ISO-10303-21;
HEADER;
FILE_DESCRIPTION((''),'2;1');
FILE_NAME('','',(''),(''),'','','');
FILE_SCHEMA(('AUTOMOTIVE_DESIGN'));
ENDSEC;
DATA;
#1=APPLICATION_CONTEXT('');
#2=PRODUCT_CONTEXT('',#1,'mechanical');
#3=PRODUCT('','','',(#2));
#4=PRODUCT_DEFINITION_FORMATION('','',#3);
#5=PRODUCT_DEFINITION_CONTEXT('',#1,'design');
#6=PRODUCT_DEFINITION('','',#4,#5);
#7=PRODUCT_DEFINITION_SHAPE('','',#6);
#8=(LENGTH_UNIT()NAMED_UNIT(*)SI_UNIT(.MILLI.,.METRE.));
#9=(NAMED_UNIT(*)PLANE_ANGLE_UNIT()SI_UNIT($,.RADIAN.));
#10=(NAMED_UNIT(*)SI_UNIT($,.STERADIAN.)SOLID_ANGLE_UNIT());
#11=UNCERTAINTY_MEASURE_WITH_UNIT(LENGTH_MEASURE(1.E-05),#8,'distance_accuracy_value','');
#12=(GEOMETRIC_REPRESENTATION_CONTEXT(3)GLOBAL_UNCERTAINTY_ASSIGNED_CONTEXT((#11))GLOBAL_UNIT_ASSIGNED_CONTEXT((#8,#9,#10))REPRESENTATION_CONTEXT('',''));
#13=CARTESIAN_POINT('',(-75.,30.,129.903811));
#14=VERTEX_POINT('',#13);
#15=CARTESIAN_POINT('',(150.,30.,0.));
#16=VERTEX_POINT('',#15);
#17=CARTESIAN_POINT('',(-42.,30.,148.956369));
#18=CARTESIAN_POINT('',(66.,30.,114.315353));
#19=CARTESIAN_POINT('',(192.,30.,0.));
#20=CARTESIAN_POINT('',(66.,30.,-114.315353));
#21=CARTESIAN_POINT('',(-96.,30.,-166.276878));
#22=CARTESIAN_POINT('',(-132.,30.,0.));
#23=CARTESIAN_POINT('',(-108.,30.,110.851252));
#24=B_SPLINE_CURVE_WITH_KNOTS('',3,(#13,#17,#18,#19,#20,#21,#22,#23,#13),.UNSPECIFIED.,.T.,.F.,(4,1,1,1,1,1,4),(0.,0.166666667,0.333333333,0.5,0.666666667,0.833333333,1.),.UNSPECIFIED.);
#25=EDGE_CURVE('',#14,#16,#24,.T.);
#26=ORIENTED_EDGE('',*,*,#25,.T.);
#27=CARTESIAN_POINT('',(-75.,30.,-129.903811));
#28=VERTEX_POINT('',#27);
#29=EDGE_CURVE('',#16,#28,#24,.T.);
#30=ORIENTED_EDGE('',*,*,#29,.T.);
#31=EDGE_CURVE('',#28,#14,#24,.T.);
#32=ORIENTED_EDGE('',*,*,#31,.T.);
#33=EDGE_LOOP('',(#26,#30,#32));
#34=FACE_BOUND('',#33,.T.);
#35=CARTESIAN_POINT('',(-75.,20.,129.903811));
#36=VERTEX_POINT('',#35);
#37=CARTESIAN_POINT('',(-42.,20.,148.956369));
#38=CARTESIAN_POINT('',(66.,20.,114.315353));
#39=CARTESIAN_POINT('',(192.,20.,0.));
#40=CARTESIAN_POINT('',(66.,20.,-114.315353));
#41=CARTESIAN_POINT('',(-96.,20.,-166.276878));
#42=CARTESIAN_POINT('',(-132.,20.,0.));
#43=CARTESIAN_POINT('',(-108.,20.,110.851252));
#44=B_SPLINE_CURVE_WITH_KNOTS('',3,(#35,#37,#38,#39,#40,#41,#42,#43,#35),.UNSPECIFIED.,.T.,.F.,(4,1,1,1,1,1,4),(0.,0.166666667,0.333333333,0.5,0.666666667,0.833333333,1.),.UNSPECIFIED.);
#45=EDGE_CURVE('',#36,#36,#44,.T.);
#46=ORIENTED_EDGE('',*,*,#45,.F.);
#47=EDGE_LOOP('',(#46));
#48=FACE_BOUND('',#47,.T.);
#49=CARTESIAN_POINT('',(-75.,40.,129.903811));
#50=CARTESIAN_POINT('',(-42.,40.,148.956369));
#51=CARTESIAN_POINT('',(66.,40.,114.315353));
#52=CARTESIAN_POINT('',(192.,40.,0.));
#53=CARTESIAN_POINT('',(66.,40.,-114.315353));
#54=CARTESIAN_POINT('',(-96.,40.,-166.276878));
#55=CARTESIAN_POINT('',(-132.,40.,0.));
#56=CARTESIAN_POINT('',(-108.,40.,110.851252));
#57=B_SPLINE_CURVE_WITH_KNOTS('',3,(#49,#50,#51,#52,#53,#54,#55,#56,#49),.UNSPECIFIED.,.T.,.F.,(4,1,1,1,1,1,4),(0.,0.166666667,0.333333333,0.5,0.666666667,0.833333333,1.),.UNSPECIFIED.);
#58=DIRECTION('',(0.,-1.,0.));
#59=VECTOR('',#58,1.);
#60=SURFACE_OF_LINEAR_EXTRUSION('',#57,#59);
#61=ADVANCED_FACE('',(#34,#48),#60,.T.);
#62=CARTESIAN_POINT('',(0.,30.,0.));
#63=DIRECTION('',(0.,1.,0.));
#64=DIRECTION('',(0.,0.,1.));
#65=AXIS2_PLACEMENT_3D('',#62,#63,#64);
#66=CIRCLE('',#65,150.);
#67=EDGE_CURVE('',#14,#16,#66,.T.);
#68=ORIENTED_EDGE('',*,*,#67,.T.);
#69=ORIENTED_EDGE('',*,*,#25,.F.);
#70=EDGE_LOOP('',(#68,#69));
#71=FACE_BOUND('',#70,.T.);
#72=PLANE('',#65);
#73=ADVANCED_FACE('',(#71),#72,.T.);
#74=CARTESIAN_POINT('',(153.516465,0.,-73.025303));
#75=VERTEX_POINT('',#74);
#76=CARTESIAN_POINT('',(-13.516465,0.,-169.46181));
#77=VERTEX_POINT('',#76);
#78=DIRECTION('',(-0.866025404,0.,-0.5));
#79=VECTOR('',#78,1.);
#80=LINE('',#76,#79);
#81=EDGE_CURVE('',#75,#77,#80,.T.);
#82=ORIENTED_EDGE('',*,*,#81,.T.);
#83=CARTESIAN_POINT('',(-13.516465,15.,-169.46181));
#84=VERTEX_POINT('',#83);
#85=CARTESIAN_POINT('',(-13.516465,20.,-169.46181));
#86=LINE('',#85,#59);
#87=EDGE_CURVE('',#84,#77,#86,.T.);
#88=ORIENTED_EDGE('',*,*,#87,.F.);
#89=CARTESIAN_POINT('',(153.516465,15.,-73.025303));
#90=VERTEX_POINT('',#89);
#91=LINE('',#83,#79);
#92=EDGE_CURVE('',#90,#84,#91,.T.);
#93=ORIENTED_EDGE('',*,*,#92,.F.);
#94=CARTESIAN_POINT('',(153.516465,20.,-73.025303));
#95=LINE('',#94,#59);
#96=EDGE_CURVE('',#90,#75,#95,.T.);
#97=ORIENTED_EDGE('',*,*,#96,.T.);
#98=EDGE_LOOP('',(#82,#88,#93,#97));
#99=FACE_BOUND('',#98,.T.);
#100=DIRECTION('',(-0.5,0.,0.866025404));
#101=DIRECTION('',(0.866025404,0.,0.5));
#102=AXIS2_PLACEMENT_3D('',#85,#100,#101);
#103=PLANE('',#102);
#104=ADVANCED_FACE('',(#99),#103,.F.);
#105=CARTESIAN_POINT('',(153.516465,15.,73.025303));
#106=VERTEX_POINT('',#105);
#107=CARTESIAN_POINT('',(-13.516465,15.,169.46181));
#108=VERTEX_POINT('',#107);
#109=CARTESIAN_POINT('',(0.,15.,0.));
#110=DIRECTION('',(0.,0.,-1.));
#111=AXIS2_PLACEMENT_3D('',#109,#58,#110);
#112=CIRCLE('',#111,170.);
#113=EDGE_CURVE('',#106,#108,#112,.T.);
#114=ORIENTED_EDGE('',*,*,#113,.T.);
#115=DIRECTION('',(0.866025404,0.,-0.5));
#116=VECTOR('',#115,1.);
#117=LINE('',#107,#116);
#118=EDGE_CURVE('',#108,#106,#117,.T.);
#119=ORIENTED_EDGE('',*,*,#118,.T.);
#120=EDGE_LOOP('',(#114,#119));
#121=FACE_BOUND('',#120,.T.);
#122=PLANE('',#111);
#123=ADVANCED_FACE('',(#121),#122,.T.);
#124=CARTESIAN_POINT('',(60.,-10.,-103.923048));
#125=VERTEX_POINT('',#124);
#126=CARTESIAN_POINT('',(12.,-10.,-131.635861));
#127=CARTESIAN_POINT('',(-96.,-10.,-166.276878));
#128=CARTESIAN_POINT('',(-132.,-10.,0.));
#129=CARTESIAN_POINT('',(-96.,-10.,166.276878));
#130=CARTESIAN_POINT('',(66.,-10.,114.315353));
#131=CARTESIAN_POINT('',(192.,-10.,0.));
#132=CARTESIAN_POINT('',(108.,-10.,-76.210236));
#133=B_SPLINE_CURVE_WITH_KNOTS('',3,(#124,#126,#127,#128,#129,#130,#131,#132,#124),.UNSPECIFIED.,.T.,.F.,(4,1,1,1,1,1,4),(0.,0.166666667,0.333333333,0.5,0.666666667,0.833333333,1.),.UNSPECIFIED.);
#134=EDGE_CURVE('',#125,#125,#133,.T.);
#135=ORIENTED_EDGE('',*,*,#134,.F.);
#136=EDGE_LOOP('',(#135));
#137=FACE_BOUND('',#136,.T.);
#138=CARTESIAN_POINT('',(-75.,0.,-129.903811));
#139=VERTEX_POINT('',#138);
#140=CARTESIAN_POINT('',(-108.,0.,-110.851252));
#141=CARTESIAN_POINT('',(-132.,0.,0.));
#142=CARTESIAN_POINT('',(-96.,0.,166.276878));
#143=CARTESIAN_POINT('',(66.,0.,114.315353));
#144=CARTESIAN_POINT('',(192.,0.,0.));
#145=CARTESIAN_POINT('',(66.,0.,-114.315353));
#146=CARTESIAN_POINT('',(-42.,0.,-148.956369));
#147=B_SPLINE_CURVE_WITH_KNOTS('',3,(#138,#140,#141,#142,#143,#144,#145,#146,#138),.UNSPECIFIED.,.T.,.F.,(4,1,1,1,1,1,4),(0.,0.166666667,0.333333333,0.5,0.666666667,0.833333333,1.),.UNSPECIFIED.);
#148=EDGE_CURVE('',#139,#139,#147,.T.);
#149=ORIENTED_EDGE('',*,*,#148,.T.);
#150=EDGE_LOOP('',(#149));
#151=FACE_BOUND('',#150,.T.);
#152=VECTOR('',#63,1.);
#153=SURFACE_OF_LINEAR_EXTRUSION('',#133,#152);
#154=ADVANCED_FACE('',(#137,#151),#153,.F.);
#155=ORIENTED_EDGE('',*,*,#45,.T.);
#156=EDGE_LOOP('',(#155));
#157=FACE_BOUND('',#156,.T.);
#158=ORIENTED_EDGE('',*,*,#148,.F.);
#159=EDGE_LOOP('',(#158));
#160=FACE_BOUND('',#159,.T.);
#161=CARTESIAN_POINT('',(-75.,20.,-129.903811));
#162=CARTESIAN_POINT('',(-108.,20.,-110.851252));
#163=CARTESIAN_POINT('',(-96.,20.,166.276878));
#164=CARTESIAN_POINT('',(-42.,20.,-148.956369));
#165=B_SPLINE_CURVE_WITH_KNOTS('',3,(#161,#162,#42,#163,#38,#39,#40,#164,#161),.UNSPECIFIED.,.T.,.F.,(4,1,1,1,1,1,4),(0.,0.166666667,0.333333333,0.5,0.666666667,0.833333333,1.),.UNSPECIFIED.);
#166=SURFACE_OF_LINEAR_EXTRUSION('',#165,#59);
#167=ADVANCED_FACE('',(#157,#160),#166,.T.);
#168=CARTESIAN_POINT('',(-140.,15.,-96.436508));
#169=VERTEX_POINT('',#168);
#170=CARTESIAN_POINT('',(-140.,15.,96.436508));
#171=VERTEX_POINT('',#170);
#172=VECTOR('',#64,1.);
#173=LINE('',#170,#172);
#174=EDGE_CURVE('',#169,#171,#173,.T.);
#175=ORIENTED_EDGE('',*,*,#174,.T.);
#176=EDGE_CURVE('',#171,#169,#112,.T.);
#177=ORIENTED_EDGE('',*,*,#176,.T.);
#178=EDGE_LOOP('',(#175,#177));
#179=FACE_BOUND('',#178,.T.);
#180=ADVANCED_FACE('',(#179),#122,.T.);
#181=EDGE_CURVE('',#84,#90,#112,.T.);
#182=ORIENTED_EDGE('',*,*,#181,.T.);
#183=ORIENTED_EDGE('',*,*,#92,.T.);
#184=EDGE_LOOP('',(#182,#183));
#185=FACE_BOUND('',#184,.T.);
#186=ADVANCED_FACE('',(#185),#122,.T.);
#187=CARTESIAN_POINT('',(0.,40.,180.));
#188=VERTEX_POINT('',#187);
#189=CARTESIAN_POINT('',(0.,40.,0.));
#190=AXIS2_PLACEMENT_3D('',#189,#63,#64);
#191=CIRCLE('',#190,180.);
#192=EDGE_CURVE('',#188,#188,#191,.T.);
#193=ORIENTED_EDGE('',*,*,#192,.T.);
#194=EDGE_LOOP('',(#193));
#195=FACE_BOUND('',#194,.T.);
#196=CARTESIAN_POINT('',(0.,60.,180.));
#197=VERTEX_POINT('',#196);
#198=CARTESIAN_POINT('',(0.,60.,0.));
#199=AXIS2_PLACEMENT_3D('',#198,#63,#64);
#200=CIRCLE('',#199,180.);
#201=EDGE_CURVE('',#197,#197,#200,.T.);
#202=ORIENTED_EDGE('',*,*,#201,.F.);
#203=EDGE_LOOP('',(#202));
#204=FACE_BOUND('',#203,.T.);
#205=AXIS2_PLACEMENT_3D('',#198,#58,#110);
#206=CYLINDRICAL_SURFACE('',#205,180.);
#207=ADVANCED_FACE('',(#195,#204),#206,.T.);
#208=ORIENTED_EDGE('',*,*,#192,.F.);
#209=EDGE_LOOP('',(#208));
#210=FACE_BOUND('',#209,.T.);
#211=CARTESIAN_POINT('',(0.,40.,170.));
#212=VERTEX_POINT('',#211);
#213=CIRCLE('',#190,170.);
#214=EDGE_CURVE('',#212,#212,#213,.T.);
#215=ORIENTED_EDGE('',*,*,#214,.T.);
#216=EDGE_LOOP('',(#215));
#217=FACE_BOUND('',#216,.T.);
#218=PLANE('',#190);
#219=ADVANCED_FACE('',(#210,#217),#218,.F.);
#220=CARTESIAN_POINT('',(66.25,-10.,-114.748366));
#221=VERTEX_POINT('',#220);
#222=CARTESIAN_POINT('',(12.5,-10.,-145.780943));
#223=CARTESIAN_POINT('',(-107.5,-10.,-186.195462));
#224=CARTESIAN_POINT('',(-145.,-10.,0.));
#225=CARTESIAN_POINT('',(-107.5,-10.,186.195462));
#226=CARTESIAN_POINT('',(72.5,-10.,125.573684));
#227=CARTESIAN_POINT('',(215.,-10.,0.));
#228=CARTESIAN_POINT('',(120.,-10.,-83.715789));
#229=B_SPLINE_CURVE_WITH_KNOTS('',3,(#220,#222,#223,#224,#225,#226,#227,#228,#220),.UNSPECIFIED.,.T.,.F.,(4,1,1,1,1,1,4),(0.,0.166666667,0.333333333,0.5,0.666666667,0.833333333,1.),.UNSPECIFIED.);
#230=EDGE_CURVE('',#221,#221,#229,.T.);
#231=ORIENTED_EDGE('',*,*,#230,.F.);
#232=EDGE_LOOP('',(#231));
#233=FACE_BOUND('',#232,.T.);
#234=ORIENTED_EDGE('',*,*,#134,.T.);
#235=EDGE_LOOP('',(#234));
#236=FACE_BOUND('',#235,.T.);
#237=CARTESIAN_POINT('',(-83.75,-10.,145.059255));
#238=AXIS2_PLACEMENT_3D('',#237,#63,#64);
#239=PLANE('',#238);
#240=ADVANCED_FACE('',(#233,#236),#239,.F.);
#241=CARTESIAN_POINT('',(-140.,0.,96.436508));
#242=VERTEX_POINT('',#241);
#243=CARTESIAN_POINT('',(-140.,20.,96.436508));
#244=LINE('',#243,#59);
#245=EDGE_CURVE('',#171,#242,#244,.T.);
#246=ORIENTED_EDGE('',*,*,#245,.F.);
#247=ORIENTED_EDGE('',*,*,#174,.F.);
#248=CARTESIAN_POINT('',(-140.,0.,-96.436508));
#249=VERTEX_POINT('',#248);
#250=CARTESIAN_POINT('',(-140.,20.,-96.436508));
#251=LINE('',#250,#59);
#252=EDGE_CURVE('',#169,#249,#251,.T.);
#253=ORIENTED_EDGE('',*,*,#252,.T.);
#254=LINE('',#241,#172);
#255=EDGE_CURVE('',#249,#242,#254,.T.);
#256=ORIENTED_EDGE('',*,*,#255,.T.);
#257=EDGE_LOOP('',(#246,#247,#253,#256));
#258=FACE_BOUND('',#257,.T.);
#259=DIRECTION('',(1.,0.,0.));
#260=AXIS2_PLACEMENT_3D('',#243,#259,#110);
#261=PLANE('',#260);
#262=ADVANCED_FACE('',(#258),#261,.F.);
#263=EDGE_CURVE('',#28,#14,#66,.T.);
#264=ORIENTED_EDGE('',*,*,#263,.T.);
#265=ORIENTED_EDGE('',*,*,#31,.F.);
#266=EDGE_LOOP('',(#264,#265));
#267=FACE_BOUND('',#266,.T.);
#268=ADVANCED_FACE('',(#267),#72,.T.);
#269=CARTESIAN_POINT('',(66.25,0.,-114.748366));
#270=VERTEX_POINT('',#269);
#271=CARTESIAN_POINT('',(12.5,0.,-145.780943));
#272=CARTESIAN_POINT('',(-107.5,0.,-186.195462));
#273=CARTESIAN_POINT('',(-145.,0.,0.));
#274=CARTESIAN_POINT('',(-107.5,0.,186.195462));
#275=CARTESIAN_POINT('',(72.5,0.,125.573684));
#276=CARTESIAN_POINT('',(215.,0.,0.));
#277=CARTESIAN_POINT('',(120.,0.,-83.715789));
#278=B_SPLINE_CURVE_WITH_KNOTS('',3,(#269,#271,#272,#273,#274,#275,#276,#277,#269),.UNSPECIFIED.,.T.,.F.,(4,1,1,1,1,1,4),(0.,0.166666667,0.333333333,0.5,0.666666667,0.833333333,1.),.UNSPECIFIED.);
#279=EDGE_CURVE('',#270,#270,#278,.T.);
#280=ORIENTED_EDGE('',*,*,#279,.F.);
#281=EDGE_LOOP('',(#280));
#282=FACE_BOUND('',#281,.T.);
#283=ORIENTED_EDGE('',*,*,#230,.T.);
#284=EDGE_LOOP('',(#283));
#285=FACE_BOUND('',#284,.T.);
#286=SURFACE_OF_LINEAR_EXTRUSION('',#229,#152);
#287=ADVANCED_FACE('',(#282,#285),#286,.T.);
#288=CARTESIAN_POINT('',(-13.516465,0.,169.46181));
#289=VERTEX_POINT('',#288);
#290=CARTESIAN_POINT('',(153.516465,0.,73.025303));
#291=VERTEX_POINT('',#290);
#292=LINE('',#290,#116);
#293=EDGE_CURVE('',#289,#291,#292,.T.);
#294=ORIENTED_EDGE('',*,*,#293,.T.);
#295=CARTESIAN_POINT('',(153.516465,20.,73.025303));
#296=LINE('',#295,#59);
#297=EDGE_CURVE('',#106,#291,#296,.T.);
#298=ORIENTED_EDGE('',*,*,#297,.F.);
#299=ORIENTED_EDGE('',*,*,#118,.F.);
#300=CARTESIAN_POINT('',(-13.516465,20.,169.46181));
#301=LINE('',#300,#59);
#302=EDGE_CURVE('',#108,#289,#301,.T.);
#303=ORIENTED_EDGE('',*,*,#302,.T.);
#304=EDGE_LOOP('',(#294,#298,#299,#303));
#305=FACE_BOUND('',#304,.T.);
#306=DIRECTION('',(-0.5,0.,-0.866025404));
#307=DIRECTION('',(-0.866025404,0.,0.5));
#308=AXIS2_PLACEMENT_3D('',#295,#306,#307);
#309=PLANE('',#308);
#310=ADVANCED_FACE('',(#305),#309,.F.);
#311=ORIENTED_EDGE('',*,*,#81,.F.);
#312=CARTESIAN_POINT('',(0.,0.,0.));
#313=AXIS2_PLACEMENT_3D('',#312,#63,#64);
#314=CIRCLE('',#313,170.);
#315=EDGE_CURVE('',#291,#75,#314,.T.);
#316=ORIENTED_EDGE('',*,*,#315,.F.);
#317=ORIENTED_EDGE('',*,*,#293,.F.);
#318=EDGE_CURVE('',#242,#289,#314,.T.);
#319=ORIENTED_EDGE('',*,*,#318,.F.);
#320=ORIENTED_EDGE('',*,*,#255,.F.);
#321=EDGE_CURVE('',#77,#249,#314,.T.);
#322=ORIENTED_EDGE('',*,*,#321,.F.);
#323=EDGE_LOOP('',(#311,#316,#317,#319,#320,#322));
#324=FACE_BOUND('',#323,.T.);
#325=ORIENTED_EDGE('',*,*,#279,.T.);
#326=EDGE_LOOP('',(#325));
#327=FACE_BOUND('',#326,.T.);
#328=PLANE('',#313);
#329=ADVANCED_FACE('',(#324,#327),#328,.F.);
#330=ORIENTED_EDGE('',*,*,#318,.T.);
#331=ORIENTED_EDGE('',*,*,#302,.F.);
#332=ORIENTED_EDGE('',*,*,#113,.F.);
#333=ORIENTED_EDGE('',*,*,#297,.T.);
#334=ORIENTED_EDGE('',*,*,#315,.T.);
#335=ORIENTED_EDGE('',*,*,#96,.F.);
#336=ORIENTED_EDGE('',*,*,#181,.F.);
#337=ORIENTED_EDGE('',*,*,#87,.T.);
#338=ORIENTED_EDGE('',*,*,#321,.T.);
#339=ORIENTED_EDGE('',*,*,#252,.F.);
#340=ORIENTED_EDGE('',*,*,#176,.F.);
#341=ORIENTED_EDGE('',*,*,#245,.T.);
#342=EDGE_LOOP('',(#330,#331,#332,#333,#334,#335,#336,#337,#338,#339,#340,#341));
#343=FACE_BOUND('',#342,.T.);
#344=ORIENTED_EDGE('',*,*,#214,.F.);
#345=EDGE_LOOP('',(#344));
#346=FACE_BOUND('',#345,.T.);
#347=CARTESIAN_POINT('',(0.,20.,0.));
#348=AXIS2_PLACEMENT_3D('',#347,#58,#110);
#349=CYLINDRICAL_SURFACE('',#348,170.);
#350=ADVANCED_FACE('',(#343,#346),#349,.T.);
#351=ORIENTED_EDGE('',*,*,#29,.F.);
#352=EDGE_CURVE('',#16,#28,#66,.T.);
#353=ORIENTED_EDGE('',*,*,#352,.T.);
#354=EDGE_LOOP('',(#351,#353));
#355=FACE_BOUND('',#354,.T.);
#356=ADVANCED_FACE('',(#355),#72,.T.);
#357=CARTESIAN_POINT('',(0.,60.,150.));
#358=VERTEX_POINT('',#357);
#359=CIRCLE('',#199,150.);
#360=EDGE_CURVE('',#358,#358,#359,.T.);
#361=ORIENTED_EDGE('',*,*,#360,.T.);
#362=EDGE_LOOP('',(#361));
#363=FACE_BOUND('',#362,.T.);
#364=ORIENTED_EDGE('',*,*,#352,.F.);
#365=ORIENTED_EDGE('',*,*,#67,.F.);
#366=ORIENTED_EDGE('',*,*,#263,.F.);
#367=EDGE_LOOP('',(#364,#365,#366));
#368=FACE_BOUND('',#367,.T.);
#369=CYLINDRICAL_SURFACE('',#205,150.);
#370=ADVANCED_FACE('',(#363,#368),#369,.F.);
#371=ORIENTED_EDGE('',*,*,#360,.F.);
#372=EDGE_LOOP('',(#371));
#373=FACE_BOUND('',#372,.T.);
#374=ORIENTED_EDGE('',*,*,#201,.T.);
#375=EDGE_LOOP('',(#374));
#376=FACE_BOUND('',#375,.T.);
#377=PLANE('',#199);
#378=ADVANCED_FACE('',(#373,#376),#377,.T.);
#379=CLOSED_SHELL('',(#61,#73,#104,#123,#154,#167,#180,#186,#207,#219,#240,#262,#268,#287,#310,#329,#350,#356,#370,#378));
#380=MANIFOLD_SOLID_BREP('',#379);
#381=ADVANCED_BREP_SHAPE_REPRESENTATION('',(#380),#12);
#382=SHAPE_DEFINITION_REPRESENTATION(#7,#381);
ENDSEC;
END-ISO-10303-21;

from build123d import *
from build123d.topology import SkipClean

# Parameters (mm, degrees)
EXTRUDE_1_DEPTH     = 10
EXTRUDE_2_DEPTH     = 20
SKETCH_6_R          = 170
EXTRUDE_3_DEPTH     = 20
SKETCH_7_R          = 180
SKETCH_7_R_2        = 150
EXTRUDE_4_DEPTH     = 20
EXTRUDE_START       = 5
EXTRUDE_5_DEPTH     = 5
CUT_EXTRUDE_START   = -10
SKETCH_9_R          = 150
CUT_EXTRUDE_1_DEPTH = 10


with BuildPart() as part:
    # 草图2 → 凸台-拉伸1 (new body)
    with BuildSketch(Plane(origin=(0, 0, 0), x_dir=(1, 0, 0), z_dir=(0, 1, 0))):
        with BuildLine():
            add(Edge.make_bspline(
                [(66.25, 114.748366001), (120, 83.715789032), (215, 0), (72.5, -125.573683549), (-107.5, -186.195461814), (-145, 0), (-107.5, 186.195461814), (12.5, 145.78094297), (66.25, 114.748366001)],
                knots=[0, 0, 0, 0, 0.166666667, 0.333333333, 0.5, 0.666666667, 0.833333333, 1, 1, 1, 1], degree=3))
        make_face()
        with BuildLine():
            add(Edge.make_bspline(
                [(60, 103.923048454), (108, 76.210235533), (192, 0), (66, -114.3153533), (-96, -166.276877527), (-132, 0), (-96, 166.276877527), (12, 131.635861375), (60, 103.923048454)],
                knots=[0, 0, 0, 0, 0.166666667, 0.333333333, 0.5, 0.666666667, 0.833333333, 1, 1, 1, 1], degree=3))
        make_face(mode=Mode.SUBTRACT)
    extrude(amount=-EXTRUDE_1_DEPTH)

    # 草图3 → 凸台-拉伸2 (add)
    with BuildSketch(Plane(origin=(0, 0, 0), x_dir=(1, 0, 0), z_dir=(0, 1, 0))):
        with BuildLine():
            Line((-13.516465442, 169.461810335), (153.516465442, 73.025302725))
            ThreePointArc((153.516465442, 73.025302725), (170, 0), (153.516465442, -73.025302725))
            Line((153.516465442, -73.025302725), (-13.516465442, -169.461810335))
            ThreePointArc((-13.516465442, -169.461810335), (-85, -147.224318643), (-140, -96.43650761))
            Line((-140, -96.43650761), (-140, 96.43650761))
            ThreePointArc((-140, 96.43650761), (-85, 147.224318643), (-13.516465442, 169.461810335))
        make_face()
        with BuildLine():
            add(Edge.make_bspline(
                [(-75, 129.903810568), (-42, 148.956369451), (66, 114.3153533), (192, 0), (66, -114.3153533), (-96, -166.276877527), (-132, 0), (-108, 110.851251684), (-75, 129.903810568)],
                knots=[0, 0, 0, 0, 0.166666667, 0.333333333, 0.5, 0.666666667, 0.833333333, 1, 1, 1, 1], degree=3))
        make_face(mode=Mode.SUBTRACT)
    extrude(amount=EXTRUDE_2_DEPTH)

    # 草图6 → 凸台-拉伸3 (add)
    with BuildSketch(Plane(origin=(0, 20, 0), x_dir=(1, 0, 0), z_dir=(0, 1, 0))):
        with Locations(Location((0, 0, 0), (0, 0, 94.56032178))):
            Circle(SKETCH_6_R)
        with BuildLine():
            add(Edge.make_bspline(
                [(-75, -129.903810568), (-42, -148.956369451), (66, -114.3153533), (192, 0), (66, 114.3153533), (-96, 166.276877527), (-132, 0), (-108, -110.851251684), (-75, -129.903810568)],
                knots=[0, 0, 0, 0, 0.166666667, 0.333333333, 0.5, 0.666666667, 0.833333333, 1, 1, 1, 1], degree=3))
        make_face(mode=Mode.SUBTRACT)
    extrude(amount=EXTRUDE_3_DEPTH)

    # 草图7 → 凸台-拉伸4 (add)
    with BuildSketch(Plane(origin=(0, 40, 0), x_dir=(1, 0, 0), z_dir=(0, 1, 0))):
        with Locations(Location((0, 0, 0), (0, 0, 270))):
            Circle(SKETCH_7_R)
        with Locations(Location((0, 0, 0), (0, 0, 120))):
            Circle(SKETCH_7_R_2, mode=Mode.SUBTRACT)
    extrude(amount=EXTRUDE_4_DEPTH)

    # 草图8 → 凸台-拉伸5 (add)
    with SkipClean():  # the faces are left unmerged after this step: merging them gives an invalid solid
        with BuildSketch(Plane.XZ.offset(-20).offset(EXTRUDE_START)):
            with BuildLine():
                Line((-13.516465442, 169.461810335), (153.516465442, 73.025302725))
                ThreePointArc((153.516465442, 73.025302725), (85, 147.224318643), (-13.516465442, 169.461810335))
            make_face()
            with BuildLine():
                Line((-140, 96.43650761), (-140, -96.43650761))
                ThreePointArc((-140, -96.43650761), (-170, 0), (-140, 96.43650761))
            make_face()
            with BuildLine():
                Line((-13.516465442, -169.461810335), (153.516465442, -73.025302725))
                ThreePointArc((153.516465442, -73.025302725), (85, -147.224318643), (-13.516465442, -169.461810335))
            make_face()
        extrude(amount=-EXTRUDE_5_DEPTH)

    # 草图9 → 切除-拉伸1 (cut)
    with SkipClean():  # the faces are left unmerged after this step: merging them gives an invalid solid
        with BuildSketch(Plane(origin=(0, 40, 0), x_dir=(1, 0, 0), z_dir=(0, 1, 0)).offset(CUT_EXTRUDE_START)):
            with Locations(Location((0, 0, 0), (0, 0, 120))):
                Circle(SKETCH_9_R)
        extrude(amount=CUT_EXTRUDE_1_DEPTH, mode=Mode.SUBTRACT)


solid = part.part
